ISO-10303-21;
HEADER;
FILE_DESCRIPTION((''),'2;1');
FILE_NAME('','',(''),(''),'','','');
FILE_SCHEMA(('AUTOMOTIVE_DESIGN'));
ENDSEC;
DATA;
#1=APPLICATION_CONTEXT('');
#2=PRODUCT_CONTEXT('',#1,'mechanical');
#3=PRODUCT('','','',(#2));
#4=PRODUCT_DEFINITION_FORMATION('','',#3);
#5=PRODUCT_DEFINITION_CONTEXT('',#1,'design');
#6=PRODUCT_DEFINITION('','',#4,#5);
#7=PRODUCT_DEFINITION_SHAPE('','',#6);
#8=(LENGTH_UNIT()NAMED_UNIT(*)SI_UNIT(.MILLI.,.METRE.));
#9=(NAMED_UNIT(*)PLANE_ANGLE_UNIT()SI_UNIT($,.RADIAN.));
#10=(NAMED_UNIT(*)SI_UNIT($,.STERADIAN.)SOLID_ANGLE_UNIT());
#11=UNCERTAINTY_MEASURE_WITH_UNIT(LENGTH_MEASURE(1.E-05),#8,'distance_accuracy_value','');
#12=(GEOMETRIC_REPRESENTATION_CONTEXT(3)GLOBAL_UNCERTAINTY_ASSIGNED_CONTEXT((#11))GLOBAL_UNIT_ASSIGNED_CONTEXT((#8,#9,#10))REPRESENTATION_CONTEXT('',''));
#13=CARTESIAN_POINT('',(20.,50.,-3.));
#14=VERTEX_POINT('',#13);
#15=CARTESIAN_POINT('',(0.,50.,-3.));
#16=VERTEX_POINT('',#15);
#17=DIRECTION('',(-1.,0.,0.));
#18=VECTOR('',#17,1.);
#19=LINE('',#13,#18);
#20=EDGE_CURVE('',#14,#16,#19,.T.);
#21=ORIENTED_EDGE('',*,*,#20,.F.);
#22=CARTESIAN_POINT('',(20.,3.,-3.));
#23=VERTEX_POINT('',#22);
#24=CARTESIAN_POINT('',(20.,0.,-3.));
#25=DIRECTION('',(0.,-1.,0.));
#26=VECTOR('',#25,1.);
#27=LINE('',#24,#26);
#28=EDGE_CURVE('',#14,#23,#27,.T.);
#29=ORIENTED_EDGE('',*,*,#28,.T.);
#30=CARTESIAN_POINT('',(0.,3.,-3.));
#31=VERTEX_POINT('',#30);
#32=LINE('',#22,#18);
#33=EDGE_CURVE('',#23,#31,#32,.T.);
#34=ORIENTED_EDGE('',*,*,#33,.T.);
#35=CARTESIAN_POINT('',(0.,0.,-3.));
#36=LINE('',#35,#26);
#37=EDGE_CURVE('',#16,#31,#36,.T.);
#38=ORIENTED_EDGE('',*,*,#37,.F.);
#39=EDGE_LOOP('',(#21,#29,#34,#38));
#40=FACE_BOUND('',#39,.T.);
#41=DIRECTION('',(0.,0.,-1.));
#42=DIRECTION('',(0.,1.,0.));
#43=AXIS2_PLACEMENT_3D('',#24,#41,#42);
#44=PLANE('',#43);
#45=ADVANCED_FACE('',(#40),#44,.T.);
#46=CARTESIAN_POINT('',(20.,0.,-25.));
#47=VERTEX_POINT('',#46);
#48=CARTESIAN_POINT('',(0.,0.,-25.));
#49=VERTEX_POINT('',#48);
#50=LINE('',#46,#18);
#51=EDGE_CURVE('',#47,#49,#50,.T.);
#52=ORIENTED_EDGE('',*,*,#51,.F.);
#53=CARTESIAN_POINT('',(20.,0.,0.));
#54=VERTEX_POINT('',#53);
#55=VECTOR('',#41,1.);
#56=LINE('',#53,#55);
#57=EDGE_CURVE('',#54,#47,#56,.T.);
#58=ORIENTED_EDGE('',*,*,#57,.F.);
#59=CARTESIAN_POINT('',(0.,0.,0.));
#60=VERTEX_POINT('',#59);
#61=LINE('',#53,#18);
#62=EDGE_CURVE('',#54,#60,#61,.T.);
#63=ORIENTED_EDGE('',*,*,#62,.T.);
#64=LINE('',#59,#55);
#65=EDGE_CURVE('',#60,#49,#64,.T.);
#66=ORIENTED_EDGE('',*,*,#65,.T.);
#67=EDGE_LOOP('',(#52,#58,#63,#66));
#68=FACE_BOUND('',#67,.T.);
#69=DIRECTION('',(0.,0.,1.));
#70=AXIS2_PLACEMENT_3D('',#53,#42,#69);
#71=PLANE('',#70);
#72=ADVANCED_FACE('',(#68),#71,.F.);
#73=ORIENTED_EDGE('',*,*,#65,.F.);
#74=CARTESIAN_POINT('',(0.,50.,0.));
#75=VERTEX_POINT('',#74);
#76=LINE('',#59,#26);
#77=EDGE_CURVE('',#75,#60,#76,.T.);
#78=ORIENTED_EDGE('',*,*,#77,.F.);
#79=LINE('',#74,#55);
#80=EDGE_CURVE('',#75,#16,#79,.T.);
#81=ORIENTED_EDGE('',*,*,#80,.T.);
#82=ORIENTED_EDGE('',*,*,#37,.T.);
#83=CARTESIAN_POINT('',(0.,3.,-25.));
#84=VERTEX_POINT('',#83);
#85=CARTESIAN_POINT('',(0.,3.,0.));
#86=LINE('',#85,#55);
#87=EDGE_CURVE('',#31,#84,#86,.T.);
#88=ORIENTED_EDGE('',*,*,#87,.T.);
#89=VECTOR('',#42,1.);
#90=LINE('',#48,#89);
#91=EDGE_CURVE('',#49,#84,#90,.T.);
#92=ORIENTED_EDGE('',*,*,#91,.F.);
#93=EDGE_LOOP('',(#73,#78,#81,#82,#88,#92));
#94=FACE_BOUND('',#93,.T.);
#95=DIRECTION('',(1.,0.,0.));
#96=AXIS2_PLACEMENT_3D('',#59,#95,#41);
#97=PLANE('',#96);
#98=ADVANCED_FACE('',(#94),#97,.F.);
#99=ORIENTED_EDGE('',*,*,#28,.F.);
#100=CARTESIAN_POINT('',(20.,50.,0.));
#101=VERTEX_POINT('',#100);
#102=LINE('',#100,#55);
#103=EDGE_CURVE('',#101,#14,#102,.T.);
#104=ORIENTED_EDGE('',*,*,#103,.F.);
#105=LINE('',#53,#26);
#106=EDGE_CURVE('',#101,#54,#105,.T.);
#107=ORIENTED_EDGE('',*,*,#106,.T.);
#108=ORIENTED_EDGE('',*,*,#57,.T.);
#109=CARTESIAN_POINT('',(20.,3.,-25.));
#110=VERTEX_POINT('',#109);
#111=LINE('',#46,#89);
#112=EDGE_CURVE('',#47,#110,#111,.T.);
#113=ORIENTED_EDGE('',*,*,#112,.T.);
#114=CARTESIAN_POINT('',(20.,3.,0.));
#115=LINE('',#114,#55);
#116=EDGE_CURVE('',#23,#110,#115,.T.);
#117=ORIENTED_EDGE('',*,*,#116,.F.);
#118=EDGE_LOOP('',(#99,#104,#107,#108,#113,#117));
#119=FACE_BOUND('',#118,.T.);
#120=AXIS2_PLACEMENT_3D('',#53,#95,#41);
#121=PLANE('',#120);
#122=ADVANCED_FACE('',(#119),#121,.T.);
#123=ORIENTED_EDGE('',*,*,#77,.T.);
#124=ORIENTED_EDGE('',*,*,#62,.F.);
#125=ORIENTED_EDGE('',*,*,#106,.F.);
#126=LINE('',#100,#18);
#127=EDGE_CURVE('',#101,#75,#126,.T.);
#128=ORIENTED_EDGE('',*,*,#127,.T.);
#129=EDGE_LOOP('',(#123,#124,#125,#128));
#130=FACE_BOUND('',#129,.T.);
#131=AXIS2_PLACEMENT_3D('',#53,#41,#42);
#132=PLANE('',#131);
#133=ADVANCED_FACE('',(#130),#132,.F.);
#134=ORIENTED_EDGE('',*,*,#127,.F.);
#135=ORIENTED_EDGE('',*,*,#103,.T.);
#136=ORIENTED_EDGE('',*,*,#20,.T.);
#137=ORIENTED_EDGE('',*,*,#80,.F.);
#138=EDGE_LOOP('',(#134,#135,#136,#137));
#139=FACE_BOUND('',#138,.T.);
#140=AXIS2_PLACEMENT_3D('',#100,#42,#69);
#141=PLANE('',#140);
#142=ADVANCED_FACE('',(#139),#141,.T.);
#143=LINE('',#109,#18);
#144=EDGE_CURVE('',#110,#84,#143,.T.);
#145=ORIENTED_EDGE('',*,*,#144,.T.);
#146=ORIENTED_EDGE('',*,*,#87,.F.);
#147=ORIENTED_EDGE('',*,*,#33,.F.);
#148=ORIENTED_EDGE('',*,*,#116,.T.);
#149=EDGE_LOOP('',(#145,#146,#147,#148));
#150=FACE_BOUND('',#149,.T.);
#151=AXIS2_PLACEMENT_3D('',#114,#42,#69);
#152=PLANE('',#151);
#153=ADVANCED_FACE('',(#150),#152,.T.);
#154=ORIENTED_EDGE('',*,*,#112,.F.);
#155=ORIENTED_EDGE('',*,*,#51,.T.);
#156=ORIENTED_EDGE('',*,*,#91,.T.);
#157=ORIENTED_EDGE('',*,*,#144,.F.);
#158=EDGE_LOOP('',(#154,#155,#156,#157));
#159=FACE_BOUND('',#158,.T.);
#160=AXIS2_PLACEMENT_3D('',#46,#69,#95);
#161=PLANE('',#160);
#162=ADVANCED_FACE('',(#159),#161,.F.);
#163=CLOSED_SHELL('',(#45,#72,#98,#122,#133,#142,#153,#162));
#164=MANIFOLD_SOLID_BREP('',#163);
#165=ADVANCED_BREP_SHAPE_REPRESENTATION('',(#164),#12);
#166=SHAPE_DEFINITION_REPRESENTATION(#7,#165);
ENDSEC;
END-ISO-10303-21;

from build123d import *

# Parameters (mm, degrees)
SKETCH_1_W      = 3
SKETCH_1_H      = 47
SKETCH_1_H_2    = 3
SKETCH_1_W_2    = 22
EXTRUDE_1_DEPTH = 20


with BuildPart() as part:
    # ｽｹｯﾁ1 → ﾎﾞｽ - 押し出し1 (new body)
    with BuildSketch(Plane(origin=(0, 0, 0), x_dir=(0, 0, -1), z_dir=(1, 0, 0))):
        with Locations((1.5, 26.5)):
            Rectangle(SKETCH_1_W, SKETCH_1_H)
        with Locations((1.5, 1.5)):
            Rectangle(SKETCH_1_W, SKETCH_1_H_2)
        with Locations((14, 1.5)):
            Rectangle(SKETCH_1_W_2, SKETCH_1_H_2)
    extrude(amount=EXTRUDE_1_DEPTH)


solid = part.part
